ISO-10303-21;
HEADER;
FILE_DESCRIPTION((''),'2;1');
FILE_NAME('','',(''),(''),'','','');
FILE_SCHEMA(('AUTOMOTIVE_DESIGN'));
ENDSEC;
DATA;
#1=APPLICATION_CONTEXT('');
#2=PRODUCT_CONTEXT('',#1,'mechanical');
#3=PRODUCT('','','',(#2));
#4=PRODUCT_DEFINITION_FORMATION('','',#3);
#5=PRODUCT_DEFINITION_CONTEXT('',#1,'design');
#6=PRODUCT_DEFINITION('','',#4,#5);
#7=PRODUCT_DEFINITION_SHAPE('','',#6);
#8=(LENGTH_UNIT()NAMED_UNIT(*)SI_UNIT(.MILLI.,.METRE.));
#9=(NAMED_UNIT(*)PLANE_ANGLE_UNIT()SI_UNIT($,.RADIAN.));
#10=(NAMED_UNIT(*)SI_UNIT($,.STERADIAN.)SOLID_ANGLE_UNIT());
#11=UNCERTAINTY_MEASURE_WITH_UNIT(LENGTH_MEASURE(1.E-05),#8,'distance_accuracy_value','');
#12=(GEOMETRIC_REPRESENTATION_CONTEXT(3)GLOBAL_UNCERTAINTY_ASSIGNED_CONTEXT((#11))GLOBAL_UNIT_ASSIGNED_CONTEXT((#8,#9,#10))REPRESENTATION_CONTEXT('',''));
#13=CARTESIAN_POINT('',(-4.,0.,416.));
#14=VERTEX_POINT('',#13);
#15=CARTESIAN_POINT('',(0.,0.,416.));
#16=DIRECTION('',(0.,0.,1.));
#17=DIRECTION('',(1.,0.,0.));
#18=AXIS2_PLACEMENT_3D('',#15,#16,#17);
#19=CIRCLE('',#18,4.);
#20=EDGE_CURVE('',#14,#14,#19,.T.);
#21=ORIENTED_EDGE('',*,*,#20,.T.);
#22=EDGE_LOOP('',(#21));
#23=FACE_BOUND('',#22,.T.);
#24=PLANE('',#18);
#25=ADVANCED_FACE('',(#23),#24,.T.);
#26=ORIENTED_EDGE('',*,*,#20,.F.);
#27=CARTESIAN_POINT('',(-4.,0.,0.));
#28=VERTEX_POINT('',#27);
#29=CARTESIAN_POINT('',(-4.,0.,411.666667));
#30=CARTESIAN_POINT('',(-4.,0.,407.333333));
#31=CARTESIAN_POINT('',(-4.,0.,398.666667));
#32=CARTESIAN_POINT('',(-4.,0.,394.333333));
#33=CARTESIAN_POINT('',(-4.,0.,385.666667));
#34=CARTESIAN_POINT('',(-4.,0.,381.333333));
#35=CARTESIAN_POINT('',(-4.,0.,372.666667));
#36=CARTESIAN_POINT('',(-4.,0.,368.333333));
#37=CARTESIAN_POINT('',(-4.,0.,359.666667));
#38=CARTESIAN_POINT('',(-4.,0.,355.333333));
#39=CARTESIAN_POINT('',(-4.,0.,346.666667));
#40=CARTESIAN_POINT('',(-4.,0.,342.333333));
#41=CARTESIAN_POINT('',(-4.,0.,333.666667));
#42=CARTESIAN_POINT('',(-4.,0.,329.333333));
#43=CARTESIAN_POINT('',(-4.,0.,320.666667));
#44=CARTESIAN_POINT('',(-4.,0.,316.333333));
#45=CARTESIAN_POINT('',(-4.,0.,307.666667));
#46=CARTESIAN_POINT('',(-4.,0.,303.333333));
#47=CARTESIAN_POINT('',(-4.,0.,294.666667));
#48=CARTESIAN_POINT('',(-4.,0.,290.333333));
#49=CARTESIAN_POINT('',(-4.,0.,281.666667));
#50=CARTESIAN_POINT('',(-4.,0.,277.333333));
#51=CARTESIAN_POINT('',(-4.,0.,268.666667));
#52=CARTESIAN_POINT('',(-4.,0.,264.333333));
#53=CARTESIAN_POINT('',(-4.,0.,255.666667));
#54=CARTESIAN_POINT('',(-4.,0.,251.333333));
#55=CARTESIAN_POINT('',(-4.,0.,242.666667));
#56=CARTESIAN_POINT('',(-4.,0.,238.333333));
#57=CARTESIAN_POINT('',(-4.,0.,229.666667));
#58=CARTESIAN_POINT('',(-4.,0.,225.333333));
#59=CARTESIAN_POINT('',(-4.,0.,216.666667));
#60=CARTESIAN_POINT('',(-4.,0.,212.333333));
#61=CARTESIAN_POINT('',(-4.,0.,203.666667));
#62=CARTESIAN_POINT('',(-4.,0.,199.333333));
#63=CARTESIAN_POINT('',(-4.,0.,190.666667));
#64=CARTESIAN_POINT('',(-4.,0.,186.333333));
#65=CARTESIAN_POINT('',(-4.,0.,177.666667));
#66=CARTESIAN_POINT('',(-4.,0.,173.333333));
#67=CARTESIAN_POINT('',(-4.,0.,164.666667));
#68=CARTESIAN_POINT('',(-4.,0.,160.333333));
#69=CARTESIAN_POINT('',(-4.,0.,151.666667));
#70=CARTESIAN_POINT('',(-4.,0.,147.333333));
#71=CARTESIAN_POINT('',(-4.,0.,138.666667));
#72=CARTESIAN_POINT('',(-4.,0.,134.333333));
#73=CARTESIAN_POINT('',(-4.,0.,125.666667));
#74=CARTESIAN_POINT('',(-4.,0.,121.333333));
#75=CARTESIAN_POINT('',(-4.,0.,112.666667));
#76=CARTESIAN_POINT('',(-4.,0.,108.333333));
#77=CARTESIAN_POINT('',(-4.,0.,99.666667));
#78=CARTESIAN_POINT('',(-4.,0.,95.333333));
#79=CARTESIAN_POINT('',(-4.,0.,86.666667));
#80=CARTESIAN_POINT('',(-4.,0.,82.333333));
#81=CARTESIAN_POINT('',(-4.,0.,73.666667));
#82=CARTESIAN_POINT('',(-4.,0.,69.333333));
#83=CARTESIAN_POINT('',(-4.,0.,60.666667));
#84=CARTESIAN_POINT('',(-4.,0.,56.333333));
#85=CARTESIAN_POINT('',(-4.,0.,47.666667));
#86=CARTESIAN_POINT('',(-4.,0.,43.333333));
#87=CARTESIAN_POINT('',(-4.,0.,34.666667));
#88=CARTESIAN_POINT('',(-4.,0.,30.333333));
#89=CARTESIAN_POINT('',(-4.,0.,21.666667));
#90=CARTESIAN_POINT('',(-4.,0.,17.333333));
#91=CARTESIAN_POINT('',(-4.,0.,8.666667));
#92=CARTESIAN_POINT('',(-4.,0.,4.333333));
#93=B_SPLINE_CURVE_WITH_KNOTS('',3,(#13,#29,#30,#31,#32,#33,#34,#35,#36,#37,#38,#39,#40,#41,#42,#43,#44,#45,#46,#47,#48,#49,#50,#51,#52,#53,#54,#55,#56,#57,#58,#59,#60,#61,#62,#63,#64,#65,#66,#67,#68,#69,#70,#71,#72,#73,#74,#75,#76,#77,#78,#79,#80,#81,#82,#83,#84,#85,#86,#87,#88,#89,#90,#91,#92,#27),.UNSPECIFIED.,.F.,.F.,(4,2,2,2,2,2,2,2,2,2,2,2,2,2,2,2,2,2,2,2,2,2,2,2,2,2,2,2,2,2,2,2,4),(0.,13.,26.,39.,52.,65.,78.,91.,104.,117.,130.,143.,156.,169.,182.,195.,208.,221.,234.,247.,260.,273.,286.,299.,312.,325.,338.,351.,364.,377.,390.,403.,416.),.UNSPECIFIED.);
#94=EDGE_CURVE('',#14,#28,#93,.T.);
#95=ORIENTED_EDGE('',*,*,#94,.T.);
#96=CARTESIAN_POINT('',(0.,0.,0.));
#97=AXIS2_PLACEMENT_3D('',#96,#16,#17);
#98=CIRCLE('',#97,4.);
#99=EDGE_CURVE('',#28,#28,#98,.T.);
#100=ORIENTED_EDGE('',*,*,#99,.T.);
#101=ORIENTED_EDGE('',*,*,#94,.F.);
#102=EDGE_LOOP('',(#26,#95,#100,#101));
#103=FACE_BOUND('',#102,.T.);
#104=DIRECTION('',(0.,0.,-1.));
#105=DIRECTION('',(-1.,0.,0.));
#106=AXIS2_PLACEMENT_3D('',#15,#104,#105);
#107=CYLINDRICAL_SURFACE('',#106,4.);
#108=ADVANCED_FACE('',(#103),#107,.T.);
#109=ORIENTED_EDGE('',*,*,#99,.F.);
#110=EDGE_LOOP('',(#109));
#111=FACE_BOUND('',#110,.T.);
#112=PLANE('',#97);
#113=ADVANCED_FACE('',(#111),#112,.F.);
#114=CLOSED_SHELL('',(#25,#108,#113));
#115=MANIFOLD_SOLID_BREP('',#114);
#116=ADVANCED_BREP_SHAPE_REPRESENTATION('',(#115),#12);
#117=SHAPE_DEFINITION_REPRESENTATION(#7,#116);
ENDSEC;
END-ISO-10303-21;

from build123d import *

# Parameters (mm, degrees)
ESQUISSE1_R        = 4
BOSS_EXTRU_1_DEPTH = 416


with BuildPart() as part:
    # Esquisse1 → Boss.-Extru.1 (new body)
    with BuildSketch(Plane.XY):
        with Locations(Location((0, 0, 0), (0, 0, 180))):
            Circle(ESQUISSE1_R)
    extrude(amount=BOSS_EXTRU_1_DEPTH)


solid = part.part
